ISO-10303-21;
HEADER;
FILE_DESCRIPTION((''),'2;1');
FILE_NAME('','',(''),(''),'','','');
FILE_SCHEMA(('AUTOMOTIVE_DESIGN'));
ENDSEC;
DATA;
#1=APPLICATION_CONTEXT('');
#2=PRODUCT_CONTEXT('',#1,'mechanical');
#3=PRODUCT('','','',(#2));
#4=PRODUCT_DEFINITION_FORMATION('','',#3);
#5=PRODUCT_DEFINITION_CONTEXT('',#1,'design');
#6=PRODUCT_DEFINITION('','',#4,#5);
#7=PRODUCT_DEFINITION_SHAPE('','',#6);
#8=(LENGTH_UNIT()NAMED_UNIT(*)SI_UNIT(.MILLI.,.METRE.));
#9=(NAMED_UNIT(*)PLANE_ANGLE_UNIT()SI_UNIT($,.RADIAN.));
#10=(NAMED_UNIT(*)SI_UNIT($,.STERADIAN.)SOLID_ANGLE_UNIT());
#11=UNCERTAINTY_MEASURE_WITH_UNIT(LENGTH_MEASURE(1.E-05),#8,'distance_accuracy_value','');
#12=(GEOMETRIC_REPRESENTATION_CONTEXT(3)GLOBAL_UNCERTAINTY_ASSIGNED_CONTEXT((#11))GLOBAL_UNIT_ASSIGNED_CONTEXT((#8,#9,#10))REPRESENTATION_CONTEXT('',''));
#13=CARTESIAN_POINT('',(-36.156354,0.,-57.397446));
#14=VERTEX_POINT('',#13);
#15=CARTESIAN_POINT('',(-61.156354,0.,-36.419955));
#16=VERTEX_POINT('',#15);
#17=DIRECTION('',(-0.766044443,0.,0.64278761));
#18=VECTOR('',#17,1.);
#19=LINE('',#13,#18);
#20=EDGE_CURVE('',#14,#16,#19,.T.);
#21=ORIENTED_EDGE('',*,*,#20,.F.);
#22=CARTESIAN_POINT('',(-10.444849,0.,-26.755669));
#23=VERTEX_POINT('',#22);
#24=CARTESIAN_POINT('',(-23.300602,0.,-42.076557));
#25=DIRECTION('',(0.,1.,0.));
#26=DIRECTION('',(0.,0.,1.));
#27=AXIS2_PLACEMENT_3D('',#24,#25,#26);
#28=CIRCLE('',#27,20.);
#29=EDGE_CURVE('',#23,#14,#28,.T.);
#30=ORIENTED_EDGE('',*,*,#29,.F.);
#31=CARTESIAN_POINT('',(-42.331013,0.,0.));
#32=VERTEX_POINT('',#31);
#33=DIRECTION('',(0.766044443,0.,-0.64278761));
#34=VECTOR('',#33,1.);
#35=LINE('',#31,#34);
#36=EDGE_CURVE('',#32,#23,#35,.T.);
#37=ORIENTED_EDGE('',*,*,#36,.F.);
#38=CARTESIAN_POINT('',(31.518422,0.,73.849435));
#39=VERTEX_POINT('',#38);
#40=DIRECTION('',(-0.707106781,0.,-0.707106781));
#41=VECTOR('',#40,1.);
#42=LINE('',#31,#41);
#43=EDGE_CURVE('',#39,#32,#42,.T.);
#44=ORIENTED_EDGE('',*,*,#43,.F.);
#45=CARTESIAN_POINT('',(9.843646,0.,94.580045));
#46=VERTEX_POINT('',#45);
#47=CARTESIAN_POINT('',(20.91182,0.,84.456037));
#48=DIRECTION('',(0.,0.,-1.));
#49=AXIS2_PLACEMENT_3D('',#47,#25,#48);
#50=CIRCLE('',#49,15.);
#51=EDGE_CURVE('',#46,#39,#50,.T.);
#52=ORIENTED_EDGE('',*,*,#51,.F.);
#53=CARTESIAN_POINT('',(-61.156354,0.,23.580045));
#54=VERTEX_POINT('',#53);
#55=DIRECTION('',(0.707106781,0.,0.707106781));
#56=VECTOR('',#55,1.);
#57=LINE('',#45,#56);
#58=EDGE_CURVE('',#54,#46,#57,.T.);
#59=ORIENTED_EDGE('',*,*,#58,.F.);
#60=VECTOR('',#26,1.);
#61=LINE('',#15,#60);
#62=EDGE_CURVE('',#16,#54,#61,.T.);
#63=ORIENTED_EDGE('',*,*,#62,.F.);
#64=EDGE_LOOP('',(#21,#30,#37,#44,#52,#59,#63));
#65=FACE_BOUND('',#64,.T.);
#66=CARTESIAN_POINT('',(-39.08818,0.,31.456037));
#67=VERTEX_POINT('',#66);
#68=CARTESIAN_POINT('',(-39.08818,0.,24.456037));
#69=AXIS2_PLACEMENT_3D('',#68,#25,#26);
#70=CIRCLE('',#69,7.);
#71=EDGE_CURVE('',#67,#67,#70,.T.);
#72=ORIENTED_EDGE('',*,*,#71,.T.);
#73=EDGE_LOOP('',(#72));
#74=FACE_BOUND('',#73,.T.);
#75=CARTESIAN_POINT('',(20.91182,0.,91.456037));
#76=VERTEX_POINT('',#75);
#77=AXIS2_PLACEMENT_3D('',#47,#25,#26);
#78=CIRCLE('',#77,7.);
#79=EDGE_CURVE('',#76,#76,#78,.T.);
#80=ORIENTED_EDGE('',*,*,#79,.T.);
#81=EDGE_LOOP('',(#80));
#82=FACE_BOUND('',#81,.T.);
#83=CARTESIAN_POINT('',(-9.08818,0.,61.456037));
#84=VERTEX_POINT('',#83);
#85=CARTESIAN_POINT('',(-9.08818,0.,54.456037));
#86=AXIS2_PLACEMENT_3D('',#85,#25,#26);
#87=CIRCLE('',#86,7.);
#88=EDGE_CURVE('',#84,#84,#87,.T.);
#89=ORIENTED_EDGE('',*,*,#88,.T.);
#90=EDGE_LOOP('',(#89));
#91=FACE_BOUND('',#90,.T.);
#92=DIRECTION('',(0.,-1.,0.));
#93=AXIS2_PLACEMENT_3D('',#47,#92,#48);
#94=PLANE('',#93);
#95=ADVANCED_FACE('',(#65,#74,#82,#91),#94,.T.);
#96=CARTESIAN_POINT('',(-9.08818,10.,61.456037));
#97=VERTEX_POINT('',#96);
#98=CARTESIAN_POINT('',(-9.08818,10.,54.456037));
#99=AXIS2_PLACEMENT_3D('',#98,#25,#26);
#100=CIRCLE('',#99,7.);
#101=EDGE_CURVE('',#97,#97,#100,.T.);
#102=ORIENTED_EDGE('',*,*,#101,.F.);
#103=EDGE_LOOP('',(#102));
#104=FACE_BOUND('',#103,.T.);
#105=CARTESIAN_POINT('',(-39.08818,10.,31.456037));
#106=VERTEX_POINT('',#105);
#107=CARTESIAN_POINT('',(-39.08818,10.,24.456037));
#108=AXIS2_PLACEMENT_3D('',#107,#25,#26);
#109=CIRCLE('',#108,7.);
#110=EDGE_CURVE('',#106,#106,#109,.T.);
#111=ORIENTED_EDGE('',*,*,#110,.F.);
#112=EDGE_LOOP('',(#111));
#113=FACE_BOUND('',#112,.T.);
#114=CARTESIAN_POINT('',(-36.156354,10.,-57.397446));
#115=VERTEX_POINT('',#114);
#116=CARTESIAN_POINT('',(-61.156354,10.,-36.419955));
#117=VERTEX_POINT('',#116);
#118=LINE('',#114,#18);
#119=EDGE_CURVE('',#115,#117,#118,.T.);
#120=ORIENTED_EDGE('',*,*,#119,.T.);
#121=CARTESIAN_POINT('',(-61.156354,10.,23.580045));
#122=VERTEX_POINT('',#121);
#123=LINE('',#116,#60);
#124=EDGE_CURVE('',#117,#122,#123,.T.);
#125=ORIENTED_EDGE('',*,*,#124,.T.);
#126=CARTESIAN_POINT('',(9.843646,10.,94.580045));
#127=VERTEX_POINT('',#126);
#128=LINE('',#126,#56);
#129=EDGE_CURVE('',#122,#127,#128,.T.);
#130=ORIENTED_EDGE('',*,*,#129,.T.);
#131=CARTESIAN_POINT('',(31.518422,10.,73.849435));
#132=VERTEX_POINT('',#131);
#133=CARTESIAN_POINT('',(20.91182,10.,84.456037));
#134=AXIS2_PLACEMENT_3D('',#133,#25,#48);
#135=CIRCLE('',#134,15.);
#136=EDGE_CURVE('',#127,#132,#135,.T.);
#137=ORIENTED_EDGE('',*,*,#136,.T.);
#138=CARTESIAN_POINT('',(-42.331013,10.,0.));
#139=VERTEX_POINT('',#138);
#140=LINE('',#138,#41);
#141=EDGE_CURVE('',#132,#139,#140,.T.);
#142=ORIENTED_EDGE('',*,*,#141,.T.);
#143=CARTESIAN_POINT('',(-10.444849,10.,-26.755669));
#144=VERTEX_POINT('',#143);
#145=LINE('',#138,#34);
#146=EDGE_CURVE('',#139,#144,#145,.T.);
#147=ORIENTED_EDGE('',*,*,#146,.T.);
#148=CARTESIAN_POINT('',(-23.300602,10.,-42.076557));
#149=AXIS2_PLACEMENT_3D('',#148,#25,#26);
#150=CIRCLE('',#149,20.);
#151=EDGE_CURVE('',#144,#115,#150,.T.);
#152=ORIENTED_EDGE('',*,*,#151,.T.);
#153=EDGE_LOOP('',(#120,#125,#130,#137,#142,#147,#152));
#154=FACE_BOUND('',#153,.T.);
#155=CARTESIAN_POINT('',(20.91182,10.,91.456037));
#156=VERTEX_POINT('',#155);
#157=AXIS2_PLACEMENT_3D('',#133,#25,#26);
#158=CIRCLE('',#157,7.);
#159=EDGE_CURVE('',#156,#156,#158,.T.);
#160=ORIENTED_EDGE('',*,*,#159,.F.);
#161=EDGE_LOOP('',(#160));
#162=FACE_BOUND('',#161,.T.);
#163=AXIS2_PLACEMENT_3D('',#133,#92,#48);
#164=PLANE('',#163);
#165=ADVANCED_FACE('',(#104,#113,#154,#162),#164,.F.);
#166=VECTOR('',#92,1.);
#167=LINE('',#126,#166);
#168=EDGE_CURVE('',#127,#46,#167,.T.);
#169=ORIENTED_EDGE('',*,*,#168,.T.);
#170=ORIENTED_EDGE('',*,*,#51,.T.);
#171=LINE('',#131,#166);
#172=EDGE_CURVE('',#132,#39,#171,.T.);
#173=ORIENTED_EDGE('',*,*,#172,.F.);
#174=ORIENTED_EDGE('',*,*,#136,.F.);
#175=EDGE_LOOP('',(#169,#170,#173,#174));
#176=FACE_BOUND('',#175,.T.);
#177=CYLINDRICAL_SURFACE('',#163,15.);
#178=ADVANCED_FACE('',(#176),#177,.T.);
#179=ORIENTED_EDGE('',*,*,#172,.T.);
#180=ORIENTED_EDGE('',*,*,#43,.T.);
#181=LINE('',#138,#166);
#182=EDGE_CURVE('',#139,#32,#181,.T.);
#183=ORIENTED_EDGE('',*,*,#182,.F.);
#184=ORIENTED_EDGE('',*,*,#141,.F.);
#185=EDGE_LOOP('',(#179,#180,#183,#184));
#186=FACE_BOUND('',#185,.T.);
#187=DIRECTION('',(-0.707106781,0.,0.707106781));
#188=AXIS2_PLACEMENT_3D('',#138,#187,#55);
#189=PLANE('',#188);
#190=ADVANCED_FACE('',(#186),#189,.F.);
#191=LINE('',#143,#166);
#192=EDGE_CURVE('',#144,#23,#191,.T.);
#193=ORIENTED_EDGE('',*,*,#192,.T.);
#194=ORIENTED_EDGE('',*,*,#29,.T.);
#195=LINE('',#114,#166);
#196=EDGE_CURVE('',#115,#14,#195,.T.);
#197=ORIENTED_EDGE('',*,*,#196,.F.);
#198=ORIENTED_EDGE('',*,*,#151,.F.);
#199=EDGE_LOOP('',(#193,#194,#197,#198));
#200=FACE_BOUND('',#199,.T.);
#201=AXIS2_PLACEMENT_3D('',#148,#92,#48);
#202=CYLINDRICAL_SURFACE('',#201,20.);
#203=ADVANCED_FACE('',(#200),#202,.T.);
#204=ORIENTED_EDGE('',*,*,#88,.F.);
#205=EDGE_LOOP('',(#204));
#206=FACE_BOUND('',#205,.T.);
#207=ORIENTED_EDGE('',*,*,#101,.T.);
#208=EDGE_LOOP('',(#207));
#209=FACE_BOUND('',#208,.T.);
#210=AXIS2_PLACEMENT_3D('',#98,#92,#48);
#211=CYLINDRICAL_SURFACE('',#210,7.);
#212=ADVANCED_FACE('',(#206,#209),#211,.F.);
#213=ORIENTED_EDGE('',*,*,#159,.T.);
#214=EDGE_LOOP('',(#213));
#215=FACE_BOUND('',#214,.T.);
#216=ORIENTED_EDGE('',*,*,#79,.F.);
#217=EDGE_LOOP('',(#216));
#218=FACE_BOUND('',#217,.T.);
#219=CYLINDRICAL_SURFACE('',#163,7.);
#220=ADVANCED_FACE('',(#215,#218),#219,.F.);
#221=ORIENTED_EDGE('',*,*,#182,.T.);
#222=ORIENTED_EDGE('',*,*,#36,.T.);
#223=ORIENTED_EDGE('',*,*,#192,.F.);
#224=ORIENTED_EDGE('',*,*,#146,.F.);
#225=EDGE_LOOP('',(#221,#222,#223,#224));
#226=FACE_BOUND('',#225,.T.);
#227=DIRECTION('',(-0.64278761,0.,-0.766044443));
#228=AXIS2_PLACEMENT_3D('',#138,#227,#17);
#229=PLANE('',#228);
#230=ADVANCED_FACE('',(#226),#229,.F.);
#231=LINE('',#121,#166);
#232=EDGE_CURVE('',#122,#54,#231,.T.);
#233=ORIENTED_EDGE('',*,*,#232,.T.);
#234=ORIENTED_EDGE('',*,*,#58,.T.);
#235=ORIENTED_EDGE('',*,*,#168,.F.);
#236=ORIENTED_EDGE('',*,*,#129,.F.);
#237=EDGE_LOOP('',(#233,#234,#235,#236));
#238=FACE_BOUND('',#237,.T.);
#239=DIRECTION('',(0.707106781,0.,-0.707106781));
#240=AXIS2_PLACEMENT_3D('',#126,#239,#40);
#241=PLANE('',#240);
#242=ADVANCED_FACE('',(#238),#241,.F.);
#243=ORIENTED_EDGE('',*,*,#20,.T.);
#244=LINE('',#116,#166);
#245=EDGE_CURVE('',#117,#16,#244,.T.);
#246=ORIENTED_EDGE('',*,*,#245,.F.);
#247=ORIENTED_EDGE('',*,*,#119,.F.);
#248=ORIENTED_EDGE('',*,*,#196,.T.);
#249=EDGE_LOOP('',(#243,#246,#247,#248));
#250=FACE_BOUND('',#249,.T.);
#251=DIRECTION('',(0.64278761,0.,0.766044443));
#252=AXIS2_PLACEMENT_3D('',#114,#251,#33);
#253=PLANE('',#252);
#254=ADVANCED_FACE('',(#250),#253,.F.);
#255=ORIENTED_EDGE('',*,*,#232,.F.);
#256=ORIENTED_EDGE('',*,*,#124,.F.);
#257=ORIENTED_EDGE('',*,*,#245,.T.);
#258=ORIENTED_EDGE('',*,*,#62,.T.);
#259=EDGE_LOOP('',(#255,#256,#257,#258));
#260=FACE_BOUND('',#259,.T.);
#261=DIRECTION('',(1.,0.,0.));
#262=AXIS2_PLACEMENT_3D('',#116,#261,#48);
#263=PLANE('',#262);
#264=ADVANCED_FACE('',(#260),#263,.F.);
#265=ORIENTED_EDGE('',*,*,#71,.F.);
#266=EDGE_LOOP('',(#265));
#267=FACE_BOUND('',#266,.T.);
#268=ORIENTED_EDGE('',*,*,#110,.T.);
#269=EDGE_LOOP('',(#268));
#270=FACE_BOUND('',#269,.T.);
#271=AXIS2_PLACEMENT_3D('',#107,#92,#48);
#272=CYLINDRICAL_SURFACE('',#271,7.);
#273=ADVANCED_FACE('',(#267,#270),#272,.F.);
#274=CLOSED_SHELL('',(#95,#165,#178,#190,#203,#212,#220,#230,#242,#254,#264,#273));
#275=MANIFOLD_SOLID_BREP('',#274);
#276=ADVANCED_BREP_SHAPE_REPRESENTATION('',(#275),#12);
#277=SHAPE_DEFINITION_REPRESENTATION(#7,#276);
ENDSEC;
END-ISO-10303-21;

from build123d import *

# Parameters (mm, degrees)
SKETCH1_R           = 7
BOSS_EXTRUDE1_DEPTH = 10


with BuildPart() as part:
    # Sketch1 → Boss-Extrude1 (new body)
    with BuildSketch(Plane(origin=(0, 0, 0), x_dir=(1, 0, 0), z_dir=(0, 1, 0))):
        with BuildLine():
            Line((-42.331013445, 0), (-10.444849334, 26.755668546))
            ThreePointArc((-10.444849334, 26.755668546), (-7.979712665, 54.932309602), (-36.156353721, 57.39744627))
            Line((-36.156353721, 57.39744627), (-61.156353721, 36.419955491))
            Line((-61.156353721, 36.419955491), (-61.156353721, -23.580044509))
            Line((-61.156353721, -23.580044509), (9.843646279, -94.580044509))
            ThreePointArc((9.843646279, -94.580044509), (31.279693612, -95.296110549), (31.518421727, -73.849435172))
            Line((31.518421727, -73.849435172), (-42.331013445, 0))
        make_face()
        with Locations(Location((20.911820009, -84.456036889, 0), (0, 0, 270))):
            Circle(SKETCH1_R, mode=Mode.SUBTRACT)
        with Locations(Location((-9.088179991, -54.456036889, 0), (0, 0, 270))):
            Circle(SKETCH1_R, mode=Mode.SUBTRACT)
        with Locations(Location((-39.088179991, -24.456036889, 0), (0, 0, 270))):
            Circle(SKETCH1_R, mode=Mode.SUBTRACT)
    extrude(amount=BOSS_EXTRUDE1_DEPTH)


solid = part.part
